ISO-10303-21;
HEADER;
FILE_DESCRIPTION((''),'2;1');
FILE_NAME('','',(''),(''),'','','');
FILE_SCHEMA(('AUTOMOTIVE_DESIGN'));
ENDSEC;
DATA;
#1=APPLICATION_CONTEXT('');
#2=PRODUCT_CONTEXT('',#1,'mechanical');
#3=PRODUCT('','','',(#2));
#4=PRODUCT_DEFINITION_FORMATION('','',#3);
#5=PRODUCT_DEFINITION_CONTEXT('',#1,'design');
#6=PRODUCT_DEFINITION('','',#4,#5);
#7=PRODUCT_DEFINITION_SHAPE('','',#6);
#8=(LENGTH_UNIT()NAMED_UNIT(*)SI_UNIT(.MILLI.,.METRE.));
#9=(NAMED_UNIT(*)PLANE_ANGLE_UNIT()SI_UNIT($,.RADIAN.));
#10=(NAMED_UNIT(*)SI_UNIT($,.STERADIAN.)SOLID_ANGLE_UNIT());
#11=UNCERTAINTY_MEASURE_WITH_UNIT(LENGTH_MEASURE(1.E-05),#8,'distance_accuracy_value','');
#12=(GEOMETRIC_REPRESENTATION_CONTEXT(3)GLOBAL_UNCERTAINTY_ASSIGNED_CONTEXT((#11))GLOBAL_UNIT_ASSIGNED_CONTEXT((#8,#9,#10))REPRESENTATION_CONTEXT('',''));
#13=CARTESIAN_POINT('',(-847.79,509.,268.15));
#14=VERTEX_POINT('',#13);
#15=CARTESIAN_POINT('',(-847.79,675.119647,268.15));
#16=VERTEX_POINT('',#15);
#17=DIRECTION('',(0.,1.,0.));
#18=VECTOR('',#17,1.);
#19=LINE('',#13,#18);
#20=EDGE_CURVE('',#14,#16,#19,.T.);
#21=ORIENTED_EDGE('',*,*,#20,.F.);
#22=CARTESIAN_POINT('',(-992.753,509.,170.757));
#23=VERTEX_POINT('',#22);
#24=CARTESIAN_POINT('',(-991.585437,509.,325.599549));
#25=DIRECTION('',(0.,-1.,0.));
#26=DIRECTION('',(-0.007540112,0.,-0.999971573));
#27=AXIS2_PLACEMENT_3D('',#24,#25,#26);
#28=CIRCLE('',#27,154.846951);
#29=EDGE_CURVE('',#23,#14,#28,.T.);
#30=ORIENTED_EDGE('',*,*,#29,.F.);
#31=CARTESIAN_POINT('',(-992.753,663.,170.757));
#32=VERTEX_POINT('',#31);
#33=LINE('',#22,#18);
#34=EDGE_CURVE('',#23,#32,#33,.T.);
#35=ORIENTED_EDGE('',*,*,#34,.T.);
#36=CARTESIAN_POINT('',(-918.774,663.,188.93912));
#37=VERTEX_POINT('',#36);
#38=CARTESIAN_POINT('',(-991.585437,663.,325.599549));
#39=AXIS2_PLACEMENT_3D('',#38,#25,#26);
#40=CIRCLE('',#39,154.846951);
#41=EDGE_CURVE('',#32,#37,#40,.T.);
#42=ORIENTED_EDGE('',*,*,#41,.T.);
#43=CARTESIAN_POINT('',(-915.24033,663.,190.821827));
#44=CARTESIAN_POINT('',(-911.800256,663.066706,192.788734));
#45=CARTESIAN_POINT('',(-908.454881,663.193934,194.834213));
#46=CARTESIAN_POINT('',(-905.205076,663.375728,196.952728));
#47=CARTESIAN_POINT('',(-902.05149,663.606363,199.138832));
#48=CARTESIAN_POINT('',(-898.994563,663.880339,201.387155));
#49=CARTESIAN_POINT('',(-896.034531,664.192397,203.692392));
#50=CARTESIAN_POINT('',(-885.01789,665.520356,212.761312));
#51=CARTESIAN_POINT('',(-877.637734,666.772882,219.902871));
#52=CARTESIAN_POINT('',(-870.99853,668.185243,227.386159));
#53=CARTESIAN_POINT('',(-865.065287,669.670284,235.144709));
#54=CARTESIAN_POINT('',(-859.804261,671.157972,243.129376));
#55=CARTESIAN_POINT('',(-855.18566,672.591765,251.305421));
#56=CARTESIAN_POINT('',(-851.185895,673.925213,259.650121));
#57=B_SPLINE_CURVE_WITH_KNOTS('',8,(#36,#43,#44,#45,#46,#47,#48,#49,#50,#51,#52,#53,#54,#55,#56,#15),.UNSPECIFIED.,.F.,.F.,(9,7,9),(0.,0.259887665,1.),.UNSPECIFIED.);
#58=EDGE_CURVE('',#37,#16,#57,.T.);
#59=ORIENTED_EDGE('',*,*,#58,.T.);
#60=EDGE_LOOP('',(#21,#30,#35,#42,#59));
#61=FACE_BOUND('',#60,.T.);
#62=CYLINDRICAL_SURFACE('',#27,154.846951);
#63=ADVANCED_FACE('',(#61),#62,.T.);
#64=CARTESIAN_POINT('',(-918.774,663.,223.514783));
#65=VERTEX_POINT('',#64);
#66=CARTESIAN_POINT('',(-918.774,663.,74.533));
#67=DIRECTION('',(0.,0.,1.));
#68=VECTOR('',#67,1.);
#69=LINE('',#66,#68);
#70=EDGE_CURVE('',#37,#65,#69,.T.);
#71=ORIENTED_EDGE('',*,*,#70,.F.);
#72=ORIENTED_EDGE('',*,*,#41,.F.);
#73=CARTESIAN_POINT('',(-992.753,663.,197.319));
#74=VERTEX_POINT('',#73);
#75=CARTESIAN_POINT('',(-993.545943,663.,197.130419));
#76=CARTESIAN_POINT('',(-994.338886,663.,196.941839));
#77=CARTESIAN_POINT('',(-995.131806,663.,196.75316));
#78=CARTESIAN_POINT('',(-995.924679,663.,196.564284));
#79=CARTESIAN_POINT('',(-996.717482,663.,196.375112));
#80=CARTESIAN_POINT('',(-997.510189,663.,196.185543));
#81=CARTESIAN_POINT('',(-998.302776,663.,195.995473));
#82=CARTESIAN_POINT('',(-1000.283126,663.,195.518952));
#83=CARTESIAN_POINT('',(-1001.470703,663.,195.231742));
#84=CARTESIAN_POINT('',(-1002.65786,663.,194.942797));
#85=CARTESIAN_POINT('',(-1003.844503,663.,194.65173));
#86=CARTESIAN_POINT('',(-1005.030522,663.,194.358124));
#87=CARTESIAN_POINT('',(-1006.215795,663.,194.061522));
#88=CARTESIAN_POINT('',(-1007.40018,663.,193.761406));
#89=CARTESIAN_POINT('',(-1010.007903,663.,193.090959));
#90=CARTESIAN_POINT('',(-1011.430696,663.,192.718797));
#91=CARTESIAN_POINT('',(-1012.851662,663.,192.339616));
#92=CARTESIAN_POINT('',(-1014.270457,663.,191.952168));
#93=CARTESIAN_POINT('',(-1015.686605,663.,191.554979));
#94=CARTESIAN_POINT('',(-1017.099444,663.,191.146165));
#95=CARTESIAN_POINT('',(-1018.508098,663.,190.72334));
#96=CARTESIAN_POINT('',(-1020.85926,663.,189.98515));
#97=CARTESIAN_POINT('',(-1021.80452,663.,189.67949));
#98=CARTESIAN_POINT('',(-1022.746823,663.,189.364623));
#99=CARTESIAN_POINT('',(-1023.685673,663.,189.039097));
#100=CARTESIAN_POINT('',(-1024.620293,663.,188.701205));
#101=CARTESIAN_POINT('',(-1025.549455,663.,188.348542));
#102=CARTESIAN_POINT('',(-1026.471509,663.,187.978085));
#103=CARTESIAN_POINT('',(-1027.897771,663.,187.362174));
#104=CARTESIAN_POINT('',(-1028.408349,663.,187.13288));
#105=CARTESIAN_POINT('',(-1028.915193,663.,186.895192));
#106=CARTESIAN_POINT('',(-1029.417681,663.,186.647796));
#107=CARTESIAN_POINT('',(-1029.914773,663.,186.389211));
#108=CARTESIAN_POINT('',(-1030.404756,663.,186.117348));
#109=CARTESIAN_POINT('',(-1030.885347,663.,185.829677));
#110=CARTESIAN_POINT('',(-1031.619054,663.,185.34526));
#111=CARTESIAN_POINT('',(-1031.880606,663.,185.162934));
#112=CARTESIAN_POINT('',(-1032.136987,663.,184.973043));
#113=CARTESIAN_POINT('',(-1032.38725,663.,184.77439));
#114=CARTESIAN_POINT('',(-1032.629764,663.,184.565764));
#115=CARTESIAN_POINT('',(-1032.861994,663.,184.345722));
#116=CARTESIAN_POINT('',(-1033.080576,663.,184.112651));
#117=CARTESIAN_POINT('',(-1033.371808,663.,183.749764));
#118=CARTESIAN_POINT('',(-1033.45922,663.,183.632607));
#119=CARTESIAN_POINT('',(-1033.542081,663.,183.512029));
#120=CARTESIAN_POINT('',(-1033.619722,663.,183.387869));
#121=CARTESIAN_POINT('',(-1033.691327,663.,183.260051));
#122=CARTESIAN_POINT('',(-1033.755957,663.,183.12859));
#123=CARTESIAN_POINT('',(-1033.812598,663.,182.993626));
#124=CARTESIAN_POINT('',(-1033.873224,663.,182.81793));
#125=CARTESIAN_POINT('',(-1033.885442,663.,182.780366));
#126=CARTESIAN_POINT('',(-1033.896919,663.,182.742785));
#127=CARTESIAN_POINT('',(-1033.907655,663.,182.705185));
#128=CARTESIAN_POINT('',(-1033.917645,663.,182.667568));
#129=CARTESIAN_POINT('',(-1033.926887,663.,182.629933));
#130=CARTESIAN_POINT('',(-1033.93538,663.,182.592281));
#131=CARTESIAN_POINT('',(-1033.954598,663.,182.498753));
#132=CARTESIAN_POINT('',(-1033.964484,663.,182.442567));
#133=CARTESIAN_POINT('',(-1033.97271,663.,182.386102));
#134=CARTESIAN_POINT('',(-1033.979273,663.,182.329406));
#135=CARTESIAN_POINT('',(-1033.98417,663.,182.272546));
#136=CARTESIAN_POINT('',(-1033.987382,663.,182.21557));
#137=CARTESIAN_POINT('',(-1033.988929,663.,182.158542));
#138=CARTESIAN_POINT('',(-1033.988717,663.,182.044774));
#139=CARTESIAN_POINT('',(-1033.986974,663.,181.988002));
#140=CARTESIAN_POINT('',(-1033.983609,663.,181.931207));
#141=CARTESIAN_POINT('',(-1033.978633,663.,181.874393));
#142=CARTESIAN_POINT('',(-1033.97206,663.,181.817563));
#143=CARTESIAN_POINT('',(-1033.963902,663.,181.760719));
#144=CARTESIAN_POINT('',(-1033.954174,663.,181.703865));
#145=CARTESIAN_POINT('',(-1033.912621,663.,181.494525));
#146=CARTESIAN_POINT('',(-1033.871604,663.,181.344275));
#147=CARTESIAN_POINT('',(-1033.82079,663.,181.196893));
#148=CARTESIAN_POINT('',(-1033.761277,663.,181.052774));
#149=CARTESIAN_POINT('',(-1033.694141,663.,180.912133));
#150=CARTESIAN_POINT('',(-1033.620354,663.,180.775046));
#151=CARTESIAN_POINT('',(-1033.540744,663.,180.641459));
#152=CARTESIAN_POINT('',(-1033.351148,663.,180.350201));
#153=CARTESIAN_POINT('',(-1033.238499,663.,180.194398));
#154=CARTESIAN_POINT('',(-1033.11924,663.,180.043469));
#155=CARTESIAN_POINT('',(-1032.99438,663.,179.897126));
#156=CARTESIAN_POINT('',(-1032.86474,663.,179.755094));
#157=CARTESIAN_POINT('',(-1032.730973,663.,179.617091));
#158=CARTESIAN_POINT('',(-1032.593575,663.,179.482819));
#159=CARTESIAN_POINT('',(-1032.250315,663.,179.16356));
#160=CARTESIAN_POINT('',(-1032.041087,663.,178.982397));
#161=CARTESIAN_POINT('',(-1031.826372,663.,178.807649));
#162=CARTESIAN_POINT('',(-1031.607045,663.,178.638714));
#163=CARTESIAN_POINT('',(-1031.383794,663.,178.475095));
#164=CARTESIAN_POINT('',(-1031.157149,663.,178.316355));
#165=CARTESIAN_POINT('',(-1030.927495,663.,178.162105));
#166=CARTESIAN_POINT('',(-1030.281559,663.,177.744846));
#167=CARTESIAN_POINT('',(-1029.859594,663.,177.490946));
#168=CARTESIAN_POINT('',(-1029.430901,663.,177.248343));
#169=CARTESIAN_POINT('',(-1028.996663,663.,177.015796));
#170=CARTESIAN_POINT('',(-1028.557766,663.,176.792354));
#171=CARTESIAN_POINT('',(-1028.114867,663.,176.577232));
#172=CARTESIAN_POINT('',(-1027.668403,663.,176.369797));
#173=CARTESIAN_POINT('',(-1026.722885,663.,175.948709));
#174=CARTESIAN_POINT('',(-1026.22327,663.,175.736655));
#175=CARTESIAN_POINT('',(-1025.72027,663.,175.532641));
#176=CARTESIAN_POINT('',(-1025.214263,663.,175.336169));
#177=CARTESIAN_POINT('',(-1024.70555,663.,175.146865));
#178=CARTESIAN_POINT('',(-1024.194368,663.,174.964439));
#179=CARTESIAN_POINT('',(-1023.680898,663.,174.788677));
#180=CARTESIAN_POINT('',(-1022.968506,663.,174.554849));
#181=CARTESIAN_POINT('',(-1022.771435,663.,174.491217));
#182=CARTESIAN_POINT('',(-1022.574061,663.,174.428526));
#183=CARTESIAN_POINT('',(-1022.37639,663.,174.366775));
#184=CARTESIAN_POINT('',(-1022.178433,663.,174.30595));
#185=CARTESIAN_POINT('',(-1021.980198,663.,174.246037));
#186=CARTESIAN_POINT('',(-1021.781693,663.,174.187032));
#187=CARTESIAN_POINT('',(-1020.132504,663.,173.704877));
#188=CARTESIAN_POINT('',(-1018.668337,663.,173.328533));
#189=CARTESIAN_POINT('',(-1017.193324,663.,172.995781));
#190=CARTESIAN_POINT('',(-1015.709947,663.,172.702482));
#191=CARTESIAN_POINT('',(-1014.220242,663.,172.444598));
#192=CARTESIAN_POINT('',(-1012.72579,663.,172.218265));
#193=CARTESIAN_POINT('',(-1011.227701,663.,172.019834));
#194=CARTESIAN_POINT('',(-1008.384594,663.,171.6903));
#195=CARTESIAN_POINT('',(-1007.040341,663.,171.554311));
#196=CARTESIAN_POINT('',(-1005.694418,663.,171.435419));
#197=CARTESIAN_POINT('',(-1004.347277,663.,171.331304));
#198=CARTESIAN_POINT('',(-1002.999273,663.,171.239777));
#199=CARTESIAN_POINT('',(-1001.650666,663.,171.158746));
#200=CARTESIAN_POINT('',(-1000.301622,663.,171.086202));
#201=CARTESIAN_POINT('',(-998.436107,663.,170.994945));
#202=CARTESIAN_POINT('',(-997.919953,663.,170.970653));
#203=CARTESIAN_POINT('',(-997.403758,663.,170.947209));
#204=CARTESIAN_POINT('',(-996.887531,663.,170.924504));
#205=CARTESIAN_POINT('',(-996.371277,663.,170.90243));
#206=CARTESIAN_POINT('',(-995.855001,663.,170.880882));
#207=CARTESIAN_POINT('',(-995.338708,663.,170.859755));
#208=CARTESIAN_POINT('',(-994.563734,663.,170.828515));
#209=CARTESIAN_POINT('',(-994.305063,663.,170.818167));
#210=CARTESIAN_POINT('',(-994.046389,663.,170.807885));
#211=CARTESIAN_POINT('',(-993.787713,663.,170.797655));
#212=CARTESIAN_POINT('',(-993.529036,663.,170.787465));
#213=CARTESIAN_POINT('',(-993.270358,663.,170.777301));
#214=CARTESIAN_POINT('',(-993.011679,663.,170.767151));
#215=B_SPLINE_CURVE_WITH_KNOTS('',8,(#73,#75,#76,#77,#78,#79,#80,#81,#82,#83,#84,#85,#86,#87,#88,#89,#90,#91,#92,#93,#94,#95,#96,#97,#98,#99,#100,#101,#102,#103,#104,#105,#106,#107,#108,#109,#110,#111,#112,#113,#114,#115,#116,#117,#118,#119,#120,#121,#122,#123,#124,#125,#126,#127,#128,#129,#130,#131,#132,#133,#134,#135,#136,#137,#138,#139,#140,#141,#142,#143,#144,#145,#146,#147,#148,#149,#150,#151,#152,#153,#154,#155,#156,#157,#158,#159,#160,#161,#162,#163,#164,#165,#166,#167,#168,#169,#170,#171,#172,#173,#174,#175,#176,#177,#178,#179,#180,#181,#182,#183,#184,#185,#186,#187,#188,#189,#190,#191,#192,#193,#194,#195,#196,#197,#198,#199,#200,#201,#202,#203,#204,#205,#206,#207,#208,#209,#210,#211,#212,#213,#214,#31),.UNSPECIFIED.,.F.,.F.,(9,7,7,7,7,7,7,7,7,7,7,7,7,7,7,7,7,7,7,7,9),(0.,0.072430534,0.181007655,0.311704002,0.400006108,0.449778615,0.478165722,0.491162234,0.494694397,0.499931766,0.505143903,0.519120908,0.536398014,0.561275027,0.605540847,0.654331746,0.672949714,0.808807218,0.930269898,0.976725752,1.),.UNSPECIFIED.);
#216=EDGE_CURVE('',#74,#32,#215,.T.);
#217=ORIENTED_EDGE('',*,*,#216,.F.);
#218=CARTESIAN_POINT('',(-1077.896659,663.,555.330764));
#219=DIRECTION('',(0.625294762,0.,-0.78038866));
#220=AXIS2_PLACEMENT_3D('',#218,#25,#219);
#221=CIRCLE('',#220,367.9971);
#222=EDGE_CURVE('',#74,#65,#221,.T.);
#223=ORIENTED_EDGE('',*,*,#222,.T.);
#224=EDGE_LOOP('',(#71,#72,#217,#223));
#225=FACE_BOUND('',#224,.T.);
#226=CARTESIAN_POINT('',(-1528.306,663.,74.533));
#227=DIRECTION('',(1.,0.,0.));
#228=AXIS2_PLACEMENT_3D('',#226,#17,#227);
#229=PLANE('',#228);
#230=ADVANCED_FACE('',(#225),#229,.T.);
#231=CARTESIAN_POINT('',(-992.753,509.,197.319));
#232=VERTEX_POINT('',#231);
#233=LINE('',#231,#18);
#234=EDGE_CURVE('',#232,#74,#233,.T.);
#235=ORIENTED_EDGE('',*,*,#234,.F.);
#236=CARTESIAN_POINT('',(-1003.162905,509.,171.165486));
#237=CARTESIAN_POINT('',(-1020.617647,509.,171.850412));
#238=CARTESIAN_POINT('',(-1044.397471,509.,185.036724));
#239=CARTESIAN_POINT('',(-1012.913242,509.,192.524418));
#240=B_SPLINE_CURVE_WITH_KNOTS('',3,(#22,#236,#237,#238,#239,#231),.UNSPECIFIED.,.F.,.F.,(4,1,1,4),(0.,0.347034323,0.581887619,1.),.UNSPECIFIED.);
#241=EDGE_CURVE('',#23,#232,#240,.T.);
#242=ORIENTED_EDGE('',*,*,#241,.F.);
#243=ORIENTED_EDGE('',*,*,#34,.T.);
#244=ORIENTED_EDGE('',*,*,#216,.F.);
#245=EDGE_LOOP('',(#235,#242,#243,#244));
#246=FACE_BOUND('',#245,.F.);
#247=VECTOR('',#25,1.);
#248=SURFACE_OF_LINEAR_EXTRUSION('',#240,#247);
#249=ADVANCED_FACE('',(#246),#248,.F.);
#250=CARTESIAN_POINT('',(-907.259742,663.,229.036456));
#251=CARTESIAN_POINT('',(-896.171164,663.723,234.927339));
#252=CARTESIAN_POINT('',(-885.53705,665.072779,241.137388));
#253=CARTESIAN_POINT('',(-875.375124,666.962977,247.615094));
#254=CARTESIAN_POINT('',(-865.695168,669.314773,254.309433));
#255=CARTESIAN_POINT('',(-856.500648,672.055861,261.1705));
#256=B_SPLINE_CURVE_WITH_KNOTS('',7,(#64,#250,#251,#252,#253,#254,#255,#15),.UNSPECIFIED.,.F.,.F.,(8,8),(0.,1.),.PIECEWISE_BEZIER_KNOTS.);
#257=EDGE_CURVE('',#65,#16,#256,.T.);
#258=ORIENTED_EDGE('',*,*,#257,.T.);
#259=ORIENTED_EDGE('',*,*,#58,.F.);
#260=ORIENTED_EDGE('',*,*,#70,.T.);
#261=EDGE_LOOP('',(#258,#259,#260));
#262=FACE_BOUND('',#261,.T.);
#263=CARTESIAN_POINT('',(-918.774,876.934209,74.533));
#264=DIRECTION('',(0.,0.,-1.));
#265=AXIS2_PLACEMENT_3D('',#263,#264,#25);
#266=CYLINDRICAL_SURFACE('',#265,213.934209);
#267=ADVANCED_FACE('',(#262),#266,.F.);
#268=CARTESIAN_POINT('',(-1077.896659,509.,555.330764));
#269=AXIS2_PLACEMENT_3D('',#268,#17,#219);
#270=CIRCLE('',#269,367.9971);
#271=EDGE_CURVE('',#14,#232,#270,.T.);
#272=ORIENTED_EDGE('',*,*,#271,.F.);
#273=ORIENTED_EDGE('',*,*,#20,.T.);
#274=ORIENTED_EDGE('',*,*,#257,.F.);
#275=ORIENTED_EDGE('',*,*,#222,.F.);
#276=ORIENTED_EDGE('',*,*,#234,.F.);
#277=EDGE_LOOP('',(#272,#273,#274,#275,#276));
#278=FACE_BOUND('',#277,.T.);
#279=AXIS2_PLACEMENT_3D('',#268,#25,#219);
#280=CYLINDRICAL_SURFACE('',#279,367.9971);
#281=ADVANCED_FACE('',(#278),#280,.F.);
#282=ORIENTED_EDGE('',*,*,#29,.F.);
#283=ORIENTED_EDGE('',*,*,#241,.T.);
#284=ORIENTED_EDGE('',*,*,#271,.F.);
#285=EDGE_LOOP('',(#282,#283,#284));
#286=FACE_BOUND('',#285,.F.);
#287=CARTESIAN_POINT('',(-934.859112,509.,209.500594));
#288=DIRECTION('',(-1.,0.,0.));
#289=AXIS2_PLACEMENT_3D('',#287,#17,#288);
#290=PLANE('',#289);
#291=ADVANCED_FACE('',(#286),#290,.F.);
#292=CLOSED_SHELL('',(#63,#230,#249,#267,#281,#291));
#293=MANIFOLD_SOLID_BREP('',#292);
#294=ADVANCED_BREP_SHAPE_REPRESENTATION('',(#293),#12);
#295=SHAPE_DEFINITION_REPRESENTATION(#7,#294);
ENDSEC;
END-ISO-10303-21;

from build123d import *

# Parameters (mm, degrees)
F2_DEPTH = 190
F5_DEPTH = 193.6180001


with BuildPart() as f2:
    # F1 (on offset) → F2 (new body)
    with BuildSketch(Plane.XZ.offset(-509)):
        with BuildLine():
            add(Edge.make_bspline(
                [(-992.753, 170.757), (-1003.1629046595, 171.1654860356), (-1020.6176468538, 171.8504124279), (-1044.3974707553, 185.0367242067), (-1012.9132417897, 192.5244180032), (-992.753, 197.319)],
                knots=[0, 0, 0, 0, 0.3470343229, 0.5818876192, 1, 1, 1, 1], degree=3))
            ThreePointArc((-992.753, 170.757), (-905.2313593061, 197.0672513435), (-847.79, 268.15))
            ThreePointArc((-847.79, 268.15), (-916.3418745209, 224.6921132157), (-992.753, 197.319))
        make_face()
    extrude(amount=-F2_DEPTH)

    # F4 (on offset) → F5 (cut, through all)
    with BuildSketch(Plane.XY.offset(74.533)):
        with BuildLine():
            Line((-1528.306, 699), (-1528.306, 663))
            Line((-1528.306, 663), (-918.774, 663))
            ThreePointArc((-918.774, 663), (-856.7190584643, 672.1977197788), (-800, 699))
            Line((-800, 699), (-1528.306, 699))
        make_face()
    extrude(amount=F5_DEPTH, mode=Mode.SUBTRACT)


solid = f2.part
